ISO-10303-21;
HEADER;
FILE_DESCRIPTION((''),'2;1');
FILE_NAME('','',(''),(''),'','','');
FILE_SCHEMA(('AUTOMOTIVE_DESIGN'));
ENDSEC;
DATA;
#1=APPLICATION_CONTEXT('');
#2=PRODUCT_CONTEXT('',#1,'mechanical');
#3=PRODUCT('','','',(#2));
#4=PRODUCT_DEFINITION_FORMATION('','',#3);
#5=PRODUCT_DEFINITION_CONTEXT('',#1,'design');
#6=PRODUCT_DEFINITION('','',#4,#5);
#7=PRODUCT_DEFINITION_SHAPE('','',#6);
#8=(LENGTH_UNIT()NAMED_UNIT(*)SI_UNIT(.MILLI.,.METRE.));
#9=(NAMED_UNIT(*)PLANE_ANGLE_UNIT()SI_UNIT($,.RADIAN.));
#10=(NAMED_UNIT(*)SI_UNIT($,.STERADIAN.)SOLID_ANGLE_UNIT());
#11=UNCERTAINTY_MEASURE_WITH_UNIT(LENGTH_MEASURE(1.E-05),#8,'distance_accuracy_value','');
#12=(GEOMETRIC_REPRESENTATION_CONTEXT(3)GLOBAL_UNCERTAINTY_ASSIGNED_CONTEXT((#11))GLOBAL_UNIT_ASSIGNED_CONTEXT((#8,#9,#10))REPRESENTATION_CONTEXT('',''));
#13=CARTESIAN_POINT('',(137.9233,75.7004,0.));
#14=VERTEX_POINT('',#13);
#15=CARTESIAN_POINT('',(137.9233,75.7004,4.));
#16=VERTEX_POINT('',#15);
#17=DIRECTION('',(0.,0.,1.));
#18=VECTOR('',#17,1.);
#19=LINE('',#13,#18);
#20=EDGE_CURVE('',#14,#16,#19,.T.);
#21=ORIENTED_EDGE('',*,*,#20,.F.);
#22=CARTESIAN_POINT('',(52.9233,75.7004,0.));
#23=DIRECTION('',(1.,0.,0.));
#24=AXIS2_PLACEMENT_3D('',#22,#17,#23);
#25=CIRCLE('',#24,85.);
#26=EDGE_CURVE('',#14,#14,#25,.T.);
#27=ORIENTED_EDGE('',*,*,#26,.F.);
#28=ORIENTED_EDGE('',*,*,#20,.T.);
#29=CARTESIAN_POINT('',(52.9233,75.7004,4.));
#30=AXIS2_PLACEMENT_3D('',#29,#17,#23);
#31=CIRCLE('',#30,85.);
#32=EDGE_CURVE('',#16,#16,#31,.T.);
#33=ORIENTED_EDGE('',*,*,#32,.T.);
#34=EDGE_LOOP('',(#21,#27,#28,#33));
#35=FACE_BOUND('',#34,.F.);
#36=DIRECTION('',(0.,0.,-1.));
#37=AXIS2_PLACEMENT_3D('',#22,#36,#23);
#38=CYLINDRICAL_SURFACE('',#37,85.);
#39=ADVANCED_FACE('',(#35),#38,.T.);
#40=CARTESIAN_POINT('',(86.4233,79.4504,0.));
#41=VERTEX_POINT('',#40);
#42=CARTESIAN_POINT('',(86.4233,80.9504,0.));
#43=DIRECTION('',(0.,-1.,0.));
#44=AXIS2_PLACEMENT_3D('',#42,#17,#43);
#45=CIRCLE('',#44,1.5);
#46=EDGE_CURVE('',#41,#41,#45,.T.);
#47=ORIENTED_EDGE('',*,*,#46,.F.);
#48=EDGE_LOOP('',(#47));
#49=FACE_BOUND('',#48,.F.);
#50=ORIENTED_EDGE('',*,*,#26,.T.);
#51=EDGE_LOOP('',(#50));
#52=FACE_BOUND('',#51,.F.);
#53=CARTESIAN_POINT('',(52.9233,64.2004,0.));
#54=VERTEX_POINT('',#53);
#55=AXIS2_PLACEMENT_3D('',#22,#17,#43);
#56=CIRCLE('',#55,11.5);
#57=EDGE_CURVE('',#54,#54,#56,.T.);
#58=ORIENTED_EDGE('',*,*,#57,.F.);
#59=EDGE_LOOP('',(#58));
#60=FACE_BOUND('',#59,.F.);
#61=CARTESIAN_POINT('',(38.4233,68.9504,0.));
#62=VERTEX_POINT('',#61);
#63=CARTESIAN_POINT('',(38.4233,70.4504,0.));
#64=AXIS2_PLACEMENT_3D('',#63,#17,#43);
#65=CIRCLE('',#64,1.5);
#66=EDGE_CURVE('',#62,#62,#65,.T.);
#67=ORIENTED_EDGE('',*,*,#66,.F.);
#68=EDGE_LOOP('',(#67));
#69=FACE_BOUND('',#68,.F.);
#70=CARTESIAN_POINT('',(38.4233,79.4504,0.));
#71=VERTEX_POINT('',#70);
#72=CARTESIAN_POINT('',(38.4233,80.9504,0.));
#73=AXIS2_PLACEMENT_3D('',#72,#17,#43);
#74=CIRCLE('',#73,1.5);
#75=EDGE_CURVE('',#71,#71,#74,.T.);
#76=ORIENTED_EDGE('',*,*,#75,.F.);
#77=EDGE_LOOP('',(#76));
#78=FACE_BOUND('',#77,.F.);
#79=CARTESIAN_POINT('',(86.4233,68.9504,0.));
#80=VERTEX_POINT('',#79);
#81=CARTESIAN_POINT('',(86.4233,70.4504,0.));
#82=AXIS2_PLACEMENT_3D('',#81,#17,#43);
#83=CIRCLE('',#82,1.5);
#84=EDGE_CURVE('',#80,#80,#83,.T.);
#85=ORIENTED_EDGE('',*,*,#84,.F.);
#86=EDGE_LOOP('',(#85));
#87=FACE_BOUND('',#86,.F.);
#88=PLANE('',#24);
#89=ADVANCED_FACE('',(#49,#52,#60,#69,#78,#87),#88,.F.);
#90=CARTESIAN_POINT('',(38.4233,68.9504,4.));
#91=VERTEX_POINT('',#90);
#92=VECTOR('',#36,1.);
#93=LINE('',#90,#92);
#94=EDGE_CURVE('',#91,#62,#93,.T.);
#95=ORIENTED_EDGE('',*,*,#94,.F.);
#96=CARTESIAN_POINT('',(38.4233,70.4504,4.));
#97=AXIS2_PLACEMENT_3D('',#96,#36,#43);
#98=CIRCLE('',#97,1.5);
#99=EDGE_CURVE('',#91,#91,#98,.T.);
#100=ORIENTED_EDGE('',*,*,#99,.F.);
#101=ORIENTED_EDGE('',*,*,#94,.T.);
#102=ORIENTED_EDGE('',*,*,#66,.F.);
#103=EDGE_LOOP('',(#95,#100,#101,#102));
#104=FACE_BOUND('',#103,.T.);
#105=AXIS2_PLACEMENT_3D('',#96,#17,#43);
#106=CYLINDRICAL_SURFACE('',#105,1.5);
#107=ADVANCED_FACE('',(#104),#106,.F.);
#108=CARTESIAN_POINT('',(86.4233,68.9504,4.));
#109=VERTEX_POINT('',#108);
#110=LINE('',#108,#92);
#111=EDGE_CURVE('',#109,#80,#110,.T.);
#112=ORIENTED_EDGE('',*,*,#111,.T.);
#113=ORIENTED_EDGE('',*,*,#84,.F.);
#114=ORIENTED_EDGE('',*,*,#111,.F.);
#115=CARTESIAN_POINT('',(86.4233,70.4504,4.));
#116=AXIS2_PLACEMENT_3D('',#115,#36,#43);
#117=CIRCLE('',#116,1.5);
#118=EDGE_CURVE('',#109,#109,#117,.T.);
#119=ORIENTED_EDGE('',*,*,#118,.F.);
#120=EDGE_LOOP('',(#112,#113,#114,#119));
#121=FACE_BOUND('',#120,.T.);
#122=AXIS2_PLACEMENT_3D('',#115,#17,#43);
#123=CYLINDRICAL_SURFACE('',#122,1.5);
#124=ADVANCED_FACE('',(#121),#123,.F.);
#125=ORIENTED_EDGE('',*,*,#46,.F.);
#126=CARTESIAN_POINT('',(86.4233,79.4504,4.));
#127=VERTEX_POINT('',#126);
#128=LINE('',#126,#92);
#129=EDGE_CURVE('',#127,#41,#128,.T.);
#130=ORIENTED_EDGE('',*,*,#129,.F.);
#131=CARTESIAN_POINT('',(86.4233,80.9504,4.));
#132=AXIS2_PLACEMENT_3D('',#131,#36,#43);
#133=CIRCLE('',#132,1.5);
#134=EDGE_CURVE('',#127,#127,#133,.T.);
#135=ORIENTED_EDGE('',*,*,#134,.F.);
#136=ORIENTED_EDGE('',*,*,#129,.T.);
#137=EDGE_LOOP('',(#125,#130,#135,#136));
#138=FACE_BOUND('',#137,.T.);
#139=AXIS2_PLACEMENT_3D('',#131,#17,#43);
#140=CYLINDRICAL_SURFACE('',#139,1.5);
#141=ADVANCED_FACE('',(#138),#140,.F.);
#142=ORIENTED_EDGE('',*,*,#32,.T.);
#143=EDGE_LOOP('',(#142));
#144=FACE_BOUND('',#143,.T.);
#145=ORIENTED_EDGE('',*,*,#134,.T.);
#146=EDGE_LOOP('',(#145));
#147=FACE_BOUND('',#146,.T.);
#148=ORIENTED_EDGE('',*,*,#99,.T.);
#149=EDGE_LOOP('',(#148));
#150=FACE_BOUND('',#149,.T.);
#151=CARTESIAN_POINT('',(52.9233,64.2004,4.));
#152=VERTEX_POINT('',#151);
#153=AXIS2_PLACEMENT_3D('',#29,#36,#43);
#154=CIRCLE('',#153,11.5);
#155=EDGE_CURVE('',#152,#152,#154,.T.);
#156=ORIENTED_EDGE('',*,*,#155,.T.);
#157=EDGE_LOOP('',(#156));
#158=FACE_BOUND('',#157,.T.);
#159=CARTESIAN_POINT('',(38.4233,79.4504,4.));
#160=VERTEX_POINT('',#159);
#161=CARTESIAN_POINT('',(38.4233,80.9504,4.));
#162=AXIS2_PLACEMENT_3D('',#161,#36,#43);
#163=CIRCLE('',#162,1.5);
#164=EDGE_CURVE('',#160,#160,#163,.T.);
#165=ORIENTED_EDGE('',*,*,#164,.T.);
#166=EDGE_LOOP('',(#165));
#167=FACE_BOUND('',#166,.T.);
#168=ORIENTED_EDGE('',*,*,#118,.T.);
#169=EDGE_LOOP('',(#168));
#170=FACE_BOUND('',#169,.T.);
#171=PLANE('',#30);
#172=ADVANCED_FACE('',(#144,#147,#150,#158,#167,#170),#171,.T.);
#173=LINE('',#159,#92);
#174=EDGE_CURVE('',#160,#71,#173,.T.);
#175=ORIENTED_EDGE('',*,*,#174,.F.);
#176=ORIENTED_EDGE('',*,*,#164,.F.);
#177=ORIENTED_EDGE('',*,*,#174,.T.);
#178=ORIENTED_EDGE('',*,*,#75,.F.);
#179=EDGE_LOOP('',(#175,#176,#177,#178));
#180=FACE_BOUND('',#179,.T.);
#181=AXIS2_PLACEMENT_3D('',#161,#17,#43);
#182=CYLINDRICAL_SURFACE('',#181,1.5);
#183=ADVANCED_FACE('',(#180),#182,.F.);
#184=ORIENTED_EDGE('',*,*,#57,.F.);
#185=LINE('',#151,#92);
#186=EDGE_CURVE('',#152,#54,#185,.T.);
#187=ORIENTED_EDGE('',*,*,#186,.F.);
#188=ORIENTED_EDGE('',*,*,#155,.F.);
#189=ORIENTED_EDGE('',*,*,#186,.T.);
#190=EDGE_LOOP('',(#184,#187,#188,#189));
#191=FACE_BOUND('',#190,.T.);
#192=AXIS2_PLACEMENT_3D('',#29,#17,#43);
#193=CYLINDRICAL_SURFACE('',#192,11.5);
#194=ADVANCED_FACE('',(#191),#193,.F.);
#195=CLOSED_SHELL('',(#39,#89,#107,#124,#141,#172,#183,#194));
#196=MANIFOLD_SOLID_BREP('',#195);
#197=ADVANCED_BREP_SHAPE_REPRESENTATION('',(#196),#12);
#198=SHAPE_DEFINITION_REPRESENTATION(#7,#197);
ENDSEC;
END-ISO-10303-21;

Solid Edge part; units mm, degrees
sketch "Sketch1" plane through (0, 0, 0) normal (0, 0, 1) x (1, 0, 0)
  circle A0 centre (52.9233, 75.7004) radius 85
extrude "Protrusion1" add sketch "Sketch1" along normal blind 4
hole "Furo_1" at (52.9233, 75.7004, 4) direction (0, 0, -1) diameter 10 end up to next
hole "Furo_2" at (52.9233, 75.7004, 4) direction (0, 0, -1) diameter 23 end up to next
hole "Furo_3" at (38.4233, 80.9504, 4) direction (0, 0, -1) diameter 3 end up to next
hole "Hole1" at (38.4233, 70.4504, 4) direction (0, 0, -1) diameter 3 end up to next
hole "Furo_5" at (86.4233, 80.9504, 4) direction (0, 0, -1) diameter 3 end up to next
hole "Hole2" at (86.4233, 70.4504, 4) direction (0, 0, -1) diameter 3 end up to next
